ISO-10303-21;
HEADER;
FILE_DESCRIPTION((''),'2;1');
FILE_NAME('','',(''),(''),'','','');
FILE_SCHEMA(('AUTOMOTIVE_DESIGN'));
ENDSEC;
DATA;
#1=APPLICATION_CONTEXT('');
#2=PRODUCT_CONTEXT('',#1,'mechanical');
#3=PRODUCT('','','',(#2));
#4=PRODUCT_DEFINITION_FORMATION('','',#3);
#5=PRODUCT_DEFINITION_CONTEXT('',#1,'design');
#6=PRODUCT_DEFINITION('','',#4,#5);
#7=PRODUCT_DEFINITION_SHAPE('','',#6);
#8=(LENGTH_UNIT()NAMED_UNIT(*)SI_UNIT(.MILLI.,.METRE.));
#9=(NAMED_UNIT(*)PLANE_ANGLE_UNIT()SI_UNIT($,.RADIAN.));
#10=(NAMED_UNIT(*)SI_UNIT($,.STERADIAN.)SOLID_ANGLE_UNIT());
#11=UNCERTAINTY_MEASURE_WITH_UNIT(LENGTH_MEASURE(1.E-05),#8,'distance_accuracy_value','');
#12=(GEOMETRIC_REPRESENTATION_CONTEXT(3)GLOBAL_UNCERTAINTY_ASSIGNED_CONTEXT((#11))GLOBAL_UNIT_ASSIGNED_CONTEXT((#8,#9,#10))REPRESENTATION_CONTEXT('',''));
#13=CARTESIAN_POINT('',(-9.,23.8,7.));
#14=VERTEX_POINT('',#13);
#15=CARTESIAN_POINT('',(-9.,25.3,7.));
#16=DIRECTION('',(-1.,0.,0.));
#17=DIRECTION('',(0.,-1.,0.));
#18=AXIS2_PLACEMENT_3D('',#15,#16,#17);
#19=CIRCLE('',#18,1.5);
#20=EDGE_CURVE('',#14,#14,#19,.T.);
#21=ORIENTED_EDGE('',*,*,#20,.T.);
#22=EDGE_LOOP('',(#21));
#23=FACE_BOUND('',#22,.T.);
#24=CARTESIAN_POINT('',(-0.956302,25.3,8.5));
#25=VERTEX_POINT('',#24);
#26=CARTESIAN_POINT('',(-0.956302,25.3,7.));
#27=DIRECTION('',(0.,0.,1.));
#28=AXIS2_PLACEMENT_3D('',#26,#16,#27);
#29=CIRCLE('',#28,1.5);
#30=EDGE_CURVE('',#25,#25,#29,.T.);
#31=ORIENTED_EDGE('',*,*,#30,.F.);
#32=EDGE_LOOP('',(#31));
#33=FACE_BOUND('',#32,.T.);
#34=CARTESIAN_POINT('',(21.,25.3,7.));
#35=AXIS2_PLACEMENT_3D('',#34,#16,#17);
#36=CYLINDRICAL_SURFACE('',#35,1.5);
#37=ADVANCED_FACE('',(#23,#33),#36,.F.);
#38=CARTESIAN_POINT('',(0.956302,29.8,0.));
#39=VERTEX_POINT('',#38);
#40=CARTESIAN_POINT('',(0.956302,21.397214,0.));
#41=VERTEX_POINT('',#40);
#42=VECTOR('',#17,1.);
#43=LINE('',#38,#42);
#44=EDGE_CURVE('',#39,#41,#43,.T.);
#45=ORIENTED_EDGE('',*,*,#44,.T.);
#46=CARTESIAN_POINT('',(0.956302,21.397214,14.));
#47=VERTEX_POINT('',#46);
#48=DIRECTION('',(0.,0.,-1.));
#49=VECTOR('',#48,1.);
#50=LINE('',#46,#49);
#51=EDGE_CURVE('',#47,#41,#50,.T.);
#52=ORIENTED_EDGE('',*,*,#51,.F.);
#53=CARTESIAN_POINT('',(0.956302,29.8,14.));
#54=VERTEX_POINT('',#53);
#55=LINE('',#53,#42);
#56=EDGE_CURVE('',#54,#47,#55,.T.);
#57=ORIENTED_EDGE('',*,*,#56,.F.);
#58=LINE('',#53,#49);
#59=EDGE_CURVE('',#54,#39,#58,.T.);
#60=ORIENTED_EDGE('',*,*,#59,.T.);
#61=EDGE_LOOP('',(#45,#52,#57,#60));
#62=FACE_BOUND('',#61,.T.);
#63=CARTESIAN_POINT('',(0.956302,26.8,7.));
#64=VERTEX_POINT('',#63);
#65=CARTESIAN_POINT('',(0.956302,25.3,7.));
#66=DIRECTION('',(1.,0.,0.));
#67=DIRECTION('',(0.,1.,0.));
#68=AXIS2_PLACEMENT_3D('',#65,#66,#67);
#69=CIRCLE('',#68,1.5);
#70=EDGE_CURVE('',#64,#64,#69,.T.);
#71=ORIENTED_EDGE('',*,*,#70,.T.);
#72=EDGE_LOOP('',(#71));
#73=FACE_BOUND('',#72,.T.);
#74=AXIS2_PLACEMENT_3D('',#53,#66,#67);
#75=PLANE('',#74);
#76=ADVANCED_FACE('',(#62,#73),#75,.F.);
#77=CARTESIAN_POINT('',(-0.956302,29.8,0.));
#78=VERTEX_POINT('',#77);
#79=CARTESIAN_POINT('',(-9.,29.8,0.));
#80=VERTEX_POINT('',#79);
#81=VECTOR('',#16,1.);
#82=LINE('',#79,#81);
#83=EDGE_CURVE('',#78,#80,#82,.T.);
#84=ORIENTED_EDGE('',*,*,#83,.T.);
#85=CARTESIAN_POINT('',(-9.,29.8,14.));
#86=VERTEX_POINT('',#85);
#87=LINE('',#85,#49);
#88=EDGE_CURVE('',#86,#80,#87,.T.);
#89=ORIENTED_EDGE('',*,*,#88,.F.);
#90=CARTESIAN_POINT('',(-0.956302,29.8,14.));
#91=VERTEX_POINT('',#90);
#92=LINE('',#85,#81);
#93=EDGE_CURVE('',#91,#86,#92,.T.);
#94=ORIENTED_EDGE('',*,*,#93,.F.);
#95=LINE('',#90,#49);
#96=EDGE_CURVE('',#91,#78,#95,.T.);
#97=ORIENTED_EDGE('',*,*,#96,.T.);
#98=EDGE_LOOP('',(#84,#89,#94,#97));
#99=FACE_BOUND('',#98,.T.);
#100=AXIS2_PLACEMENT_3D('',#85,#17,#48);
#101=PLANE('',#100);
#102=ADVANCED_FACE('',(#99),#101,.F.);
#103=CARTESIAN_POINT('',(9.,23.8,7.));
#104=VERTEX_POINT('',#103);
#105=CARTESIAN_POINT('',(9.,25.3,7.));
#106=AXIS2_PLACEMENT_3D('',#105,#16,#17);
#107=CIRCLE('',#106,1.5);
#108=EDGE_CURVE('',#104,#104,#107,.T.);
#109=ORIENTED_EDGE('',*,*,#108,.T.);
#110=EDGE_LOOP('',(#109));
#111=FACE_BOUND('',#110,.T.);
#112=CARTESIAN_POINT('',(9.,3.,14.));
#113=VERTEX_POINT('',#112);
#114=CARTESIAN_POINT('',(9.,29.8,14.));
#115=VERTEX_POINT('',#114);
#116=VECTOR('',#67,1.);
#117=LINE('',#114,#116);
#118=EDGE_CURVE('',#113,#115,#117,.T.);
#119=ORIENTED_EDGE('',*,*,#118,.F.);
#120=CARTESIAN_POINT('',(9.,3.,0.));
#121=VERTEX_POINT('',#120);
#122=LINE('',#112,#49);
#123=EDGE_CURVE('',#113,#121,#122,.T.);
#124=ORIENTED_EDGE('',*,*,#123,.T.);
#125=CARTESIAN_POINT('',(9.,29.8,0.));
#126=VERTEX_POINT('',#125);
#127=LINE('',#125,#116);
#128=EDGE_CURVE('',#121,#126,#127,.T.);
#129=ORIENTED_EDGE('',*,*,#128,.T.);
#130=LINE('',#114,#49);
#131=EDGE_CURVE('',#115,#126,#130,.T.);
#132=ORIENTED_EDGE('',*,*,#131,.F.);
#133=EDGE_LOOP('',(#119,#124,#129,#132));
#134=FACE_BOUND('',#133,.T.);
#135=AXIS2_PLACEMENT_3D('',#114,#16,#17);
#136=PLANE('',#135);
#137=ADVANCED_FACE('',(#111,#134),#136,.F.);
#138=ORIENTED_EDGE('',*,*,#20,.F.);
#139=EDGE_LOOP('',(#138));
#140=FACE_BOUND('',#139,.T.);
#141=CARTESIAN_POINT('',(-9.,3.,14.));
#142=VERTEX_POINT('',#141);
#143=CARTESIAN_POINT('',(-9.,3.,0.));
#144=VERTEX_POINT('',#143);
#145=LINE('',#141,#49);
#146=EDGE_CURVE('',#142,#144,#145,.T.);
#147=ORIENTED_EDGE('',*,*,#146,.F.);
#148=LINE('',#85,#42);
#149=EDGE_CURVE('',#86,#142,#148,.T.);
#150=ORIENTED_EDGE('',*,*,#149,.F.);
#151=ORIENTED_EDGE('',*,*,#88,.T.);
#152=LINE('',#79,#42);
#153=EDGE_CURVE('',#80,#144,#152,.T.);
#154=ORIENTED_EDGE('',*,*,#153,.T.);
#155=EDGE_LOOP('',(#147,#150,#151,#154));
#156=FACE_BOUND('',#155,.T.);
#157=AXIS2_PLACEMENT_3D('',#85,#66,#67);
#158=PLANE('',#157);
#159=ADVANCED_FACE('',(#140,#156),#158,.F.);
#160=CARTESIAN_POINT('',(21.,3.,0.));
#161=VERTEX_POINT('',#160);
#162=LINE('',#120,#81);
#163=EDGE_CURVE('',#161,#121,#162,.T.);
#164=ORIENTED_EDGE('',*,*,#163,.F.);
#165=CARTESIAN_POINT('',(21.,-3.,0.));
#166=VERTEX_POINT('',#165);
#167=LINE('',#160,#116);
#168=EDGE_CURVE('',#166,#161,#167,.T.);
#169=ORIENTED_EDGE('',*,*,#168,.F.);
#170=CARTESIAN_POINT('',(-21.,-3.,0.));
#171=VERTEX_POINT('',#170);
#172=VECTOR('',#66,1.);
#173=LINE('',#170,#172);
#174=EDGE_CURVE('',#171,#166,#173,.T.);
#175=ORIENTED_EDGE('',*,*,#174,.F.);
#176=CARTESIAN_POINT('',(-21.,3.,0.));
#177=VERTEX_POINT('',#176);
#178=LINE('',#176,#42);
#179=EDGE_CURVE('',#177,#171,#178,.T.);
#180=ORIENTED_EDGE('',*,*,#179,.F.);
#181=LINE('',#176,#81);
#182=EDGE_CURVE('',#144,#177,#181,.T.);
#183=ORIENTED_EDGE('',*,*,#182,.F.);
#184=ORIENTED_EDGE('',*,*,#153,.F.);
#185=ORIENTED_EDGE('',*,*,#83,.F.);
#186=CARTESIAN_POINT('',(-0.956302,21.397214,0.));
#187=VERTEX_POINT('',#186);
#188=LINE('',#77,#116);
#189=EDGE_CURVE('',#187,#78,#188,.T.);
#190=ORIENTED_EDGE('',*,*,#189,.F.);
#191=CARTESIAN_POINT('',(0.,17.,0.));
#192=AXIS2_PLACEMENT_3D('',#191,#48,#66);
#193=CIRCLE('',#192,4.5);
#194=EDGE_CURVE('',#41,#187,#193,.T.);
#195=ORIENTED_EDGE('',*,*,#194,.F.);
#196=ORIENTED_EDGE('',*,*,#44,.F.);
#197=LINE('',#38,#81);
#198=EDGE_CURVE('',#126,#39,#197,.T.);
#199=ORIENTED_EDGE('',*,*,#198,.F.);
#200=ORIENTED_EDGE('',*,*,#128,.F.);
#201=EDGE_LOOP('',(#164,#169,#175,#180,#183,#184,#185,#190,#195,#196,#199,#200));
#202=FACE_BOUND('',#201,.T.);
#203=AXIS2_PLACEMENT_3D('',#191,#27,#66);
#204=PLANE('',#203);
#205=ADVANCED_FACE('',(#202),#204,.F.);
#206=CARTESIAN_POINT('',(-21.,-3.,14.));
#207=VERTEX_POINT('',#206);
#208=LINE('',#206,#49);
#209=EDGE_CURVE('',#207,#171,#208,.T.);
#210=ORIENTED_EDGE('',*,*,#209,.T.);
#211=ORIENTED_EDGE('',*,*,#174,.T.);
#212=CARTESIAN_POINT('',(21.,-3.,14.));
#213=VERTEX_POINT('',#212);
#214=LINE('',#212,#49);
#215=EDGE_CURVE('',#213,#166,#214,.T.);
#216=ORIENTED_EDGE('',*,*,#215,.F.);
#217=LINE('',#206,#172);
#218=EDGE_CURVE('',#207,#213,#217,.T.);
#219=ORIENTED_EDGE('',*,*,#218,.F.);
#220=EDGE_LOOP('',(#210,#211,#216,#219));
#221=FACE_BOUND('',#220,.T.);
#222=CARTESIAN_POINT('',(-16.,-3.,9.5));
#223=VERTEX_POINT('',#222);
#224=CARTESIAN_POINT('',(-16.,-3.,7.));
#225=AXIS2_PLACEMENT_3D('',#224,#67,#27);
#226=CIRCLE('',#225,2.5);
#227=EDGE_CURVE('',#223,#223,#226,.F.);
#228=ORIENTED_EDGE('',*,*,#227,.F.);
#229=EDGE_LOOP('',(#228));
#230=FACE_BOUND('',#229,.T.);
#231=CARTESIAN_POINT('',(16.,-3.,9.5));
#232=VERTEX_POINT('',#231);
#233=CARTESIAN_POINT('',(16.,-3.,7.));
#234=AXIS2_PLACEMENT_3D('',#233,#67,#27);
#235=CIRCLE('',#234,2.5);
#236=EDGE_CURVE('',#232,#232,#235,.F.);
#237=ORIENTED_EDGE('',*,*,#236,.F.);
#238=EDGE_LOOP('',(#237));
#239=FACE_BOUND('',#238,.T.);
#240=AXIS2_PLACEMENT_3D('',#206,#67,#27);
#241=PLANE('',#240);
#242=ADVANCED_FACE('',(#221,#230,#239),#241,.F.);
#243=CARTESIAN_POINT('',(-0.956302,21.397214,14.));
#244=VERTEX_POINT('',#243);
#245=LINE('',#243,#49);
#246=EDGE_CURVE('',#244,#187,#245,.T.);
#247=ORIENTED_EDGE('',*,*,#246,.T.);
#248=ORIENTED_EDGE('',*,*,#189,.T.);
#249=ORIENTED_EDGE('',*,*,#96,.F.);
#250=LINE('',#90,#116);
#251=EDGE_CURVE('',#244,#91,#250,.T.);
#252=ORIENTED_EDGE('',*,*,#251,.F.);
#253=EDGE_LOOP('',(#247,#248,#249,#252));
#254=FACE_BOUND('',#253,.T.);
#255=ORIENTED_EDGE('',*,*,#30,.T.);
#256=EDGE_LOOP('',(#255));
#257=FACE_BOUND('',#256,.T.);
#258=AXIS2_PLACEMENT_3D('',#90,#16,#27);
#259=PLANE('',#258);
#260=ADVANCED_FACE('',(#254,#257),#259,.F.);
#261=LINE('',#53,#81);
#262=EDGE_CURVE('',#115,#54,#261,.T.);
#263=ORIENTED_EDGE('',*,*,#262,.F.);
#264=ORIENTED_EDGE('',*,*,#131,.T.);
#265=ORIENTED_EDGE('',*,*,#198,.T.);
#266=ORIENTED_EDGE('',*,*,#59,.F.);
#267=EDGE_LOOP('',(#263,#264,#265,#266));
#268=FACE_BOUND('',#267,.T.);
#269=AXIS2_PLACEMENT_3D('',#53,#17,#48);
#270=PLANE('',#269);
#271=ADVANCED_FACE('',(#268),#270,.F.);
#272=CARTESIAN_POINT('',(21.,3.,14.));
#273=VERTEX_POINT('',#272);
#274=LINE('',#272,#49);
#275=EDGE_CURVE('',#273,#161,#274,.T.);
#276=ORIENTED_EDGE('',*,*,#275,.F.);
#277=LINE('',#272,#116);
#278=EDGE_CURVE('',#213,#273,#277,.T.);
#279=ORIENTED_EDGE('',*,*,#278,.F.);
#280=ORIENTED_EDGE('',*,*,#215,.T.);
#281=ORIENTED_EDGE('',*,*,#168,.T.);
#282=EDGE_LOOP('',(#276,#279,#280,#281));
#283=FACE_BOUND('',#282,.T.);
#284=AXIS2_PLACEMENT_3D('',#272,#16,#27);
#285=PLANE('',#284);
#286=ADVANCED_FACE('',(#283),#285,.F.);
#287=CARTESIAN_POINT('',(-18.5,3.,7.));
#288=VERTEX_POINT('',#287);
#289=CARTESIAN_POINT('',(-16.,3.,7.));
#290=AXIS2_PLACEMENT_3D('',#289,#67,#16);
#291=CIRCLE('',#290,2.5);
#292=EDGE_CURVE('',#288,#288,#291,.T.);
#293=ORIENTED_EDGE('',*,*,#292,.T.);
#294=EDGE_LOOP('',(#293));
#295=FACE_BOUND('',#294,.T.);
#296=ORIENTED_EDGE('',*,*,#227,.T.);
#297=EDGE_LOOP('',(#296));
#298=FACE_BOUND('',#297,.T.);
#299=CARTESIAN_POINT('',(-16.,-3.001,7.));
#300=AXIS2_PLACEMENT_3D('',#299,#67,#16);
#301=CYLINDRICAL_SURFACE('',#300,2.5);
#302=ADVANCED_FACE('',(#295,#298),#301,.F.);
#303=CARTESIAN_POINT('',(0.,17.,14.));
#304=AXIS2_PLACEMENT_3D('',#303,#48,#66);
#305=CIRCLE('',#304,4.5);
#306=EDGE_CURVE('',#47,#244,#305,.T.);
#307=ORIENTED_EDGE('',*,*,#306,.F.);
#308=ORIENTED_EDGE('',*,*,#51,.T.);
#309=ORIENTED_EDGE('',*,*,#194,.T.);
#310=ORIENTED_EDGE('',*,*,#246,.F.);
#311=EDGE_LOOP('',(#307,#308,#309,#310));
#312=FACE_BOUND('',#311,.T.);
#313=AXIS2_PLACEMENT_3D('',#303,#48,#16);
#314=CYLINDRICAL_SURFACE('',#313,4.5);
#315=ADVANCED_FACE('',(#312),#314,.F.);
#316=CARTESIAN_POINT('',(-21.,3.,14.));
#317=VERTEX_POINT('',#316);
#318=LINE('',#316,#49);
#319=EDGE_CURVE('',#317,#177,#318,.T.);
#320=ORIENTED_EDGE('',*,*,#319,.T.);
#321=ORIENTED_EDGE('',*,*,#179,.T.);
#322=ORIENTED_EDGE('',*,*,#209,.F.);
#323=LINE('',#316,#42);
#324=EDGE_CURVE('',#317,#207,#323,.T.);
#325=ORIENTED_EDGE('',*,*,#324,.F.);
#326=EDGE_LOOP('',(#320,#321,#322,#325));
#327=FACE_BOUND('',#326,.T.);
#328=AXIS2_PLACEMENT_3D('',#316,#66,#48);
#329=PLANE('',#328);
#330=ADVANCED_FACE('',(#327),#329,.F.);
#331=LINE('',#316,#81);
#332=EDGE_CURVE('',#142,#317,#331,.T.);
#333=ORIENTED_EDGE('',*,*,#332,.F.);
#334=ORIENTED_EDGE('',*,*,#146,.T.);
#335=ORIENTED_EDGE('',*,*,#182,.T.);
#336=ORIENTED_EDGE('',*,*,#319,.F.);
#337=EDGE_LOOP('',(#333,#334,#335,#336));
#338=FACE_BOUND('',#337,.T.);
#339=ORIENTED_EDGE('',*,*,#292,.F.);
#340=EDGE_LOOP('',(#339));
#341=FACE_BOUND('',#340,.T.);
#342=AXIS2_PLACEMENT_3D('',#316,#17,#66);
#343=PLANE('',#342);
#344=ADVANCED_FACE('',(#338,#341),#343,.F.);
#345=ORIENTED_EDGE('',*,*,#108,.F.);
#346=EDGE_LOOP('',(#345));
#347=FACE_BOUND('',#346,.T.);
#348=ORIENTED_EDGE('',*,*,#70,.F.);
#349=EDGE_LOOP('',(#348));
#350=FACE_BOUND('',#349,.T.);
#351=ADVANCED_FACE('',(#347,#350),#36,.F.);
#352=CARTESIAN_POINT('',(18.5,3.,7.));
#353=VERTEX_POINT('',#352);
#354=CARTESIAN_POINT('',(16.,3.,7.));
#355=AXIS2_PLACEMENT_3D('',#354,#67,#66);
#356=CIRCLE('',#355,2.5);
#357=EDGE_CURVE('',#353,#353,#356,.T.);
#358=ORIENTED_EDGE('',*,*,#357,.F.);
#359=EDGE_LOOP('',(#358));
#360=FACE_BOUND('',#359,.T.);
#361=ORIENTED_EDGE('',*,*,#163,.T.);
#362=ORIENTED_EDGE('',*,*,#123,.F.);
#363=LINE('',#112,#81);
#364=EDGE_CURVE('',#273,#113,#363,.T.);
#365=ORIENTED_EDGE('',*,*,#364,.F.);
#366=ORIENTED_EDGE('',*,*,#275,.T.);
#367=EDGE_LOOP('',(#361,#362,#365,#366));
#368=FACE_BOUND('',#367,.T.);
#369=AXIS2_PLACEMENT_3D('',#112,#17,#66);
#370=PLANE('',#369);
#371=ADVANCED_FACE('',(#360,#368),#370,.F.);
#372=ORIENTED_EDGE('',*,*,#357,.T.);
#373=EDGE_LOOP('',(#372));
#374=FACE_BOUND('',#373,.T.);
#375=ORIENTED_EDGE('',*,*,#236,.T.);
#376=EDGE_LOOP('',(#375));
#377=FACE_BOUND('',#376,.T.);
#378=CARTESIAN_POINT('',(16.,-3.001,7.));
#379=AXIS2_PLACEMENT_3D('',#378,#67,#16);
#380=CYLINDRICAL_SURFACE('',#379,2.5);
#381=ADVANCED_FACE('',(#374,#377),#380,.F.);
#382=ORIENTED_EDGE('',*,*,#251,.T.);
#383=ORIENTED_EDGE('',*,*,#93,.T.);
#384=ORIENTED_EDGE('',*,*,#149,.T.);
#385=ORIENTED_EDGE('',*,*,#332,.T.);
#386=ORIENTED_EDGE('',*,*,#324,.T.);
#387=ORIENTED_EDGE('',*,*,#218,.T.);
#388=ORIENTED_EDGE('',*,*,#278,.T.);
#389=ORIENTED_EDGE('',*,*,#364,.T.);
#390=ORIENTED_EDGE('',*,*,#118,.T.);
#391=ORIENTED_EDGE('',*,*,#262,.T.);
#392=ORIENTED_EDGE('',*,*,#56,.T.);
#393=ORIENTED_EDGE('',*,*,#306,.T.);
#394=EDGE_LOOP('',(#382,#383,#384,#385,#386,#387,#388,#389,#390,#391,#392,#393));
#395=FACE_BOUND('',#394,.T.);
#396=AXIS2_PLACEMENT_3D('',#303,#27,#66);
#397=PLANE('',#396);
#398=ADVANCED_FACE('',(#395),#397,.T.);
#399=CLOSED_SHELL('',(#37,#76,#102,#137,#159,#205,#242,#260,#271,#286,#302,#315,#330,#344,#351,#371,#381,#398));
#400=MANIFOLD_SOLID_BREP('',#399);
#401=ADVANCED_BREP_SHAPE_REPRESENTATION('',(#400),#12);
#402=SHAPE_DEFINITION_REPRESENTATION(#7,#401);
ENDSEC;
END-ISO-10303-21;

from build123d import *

# Parameters (mm, degrees)
BOSS_EXTRUDE1_DEPTH = 14
CUT_EXTRUDE1_REACH  = 8
SKETCH2_R           = 2.5
SKETCH3_R           = 1.5
CUT_EXTRUDE2_DEPTH  = 31


with BuildPart() as part:
    # Sketch1 → Boss-Extrude1 (new body)
    with BuildSketch(Plane.XY):
        with BuildLine():
            Line((-0.95630186, 29.8), (-0.95630186, 21.397213521))
            ThreePointArc((-0.95630186, 21.397213521), (0, 12.5), (0.95630186, 21.397213521))
            Line((0.95630186, 21.397213521), (0.95630186, 29.8))
            Line((0.95630186, 29.8), (9, 29.8))
            Line((9, 29.8), (9, 3))
            Line((9, 3), (21, 3))
            Line((21, 3), (21, -3))
            Line((21, -3), (-21, -3))
            Line((-21, -3), (-21, 3))
            Line((-21, 3), (-9, 3))
            Line((-9, 3), (-9, 29.8))
            Line((-9, 29.8), (-0.95630186, 29.8))
        make_face()
    extrude(amount=BOSS_EXTRUDE1_DEPTH)

    # Sketch2 → Cut-Extrude1 (cut, up to next)
    with BuildSketch(Plane(origin=(0, 3, 0), x_dir=(1, 0, 0), z_dir=(0, 1, 0)), mode=Mode.PRIVATE) as cut_extrude1_sk1:
        with Locations((-16, -7)):
            Circle(SKETCH2_R)
    cut_extrude1_tool1 = extrude(cut_extrude1_sk1.sketch, amount=-CUT_EXTRUDE1_REACH, mode=Mode.PRIVATE) & part.part
    add(cut_extrude1_tool1.solids().sort_by_distance((-16, 3, 7))[0], mode=Mode.SUBTRACT)
    # Sketch2 → Cut-Extrude1 (cut, up to next)
    with BuildSketch(Plane(origin=(0, 3, 0), x_dir=(1, 0, 0), z_dir=(0, 1, 0)), mode=Mode.PRIVATE) as cut_extrude1_sk2:
        with Locations((16, -7)):
            Circle(SKETCH2_R)
    cut_extrude1_tool2 = extrude(cut_extrude1_sk2.sketch, amount=-CUT_EXTRUDE1_REACH, mode=Mode.PRIVATE) & part.part
    add(cut_extrude1_tool2.solids().sort_by_distance((16, 3, 7))[0], mode=Mode.SUBTRACT)

    # Sketch3 → Cut-Extrude2 (cut, through all)
    with BuildSketch(Plane.ZY.offset(9)):
        with Locations((7, 25.3)):
            Circle(SKETCH3_R)
    extrude(amount=-CUT_EXTRUDE2_DEPTH, mode=Mode.SUBTRACT)


solid = part.part
